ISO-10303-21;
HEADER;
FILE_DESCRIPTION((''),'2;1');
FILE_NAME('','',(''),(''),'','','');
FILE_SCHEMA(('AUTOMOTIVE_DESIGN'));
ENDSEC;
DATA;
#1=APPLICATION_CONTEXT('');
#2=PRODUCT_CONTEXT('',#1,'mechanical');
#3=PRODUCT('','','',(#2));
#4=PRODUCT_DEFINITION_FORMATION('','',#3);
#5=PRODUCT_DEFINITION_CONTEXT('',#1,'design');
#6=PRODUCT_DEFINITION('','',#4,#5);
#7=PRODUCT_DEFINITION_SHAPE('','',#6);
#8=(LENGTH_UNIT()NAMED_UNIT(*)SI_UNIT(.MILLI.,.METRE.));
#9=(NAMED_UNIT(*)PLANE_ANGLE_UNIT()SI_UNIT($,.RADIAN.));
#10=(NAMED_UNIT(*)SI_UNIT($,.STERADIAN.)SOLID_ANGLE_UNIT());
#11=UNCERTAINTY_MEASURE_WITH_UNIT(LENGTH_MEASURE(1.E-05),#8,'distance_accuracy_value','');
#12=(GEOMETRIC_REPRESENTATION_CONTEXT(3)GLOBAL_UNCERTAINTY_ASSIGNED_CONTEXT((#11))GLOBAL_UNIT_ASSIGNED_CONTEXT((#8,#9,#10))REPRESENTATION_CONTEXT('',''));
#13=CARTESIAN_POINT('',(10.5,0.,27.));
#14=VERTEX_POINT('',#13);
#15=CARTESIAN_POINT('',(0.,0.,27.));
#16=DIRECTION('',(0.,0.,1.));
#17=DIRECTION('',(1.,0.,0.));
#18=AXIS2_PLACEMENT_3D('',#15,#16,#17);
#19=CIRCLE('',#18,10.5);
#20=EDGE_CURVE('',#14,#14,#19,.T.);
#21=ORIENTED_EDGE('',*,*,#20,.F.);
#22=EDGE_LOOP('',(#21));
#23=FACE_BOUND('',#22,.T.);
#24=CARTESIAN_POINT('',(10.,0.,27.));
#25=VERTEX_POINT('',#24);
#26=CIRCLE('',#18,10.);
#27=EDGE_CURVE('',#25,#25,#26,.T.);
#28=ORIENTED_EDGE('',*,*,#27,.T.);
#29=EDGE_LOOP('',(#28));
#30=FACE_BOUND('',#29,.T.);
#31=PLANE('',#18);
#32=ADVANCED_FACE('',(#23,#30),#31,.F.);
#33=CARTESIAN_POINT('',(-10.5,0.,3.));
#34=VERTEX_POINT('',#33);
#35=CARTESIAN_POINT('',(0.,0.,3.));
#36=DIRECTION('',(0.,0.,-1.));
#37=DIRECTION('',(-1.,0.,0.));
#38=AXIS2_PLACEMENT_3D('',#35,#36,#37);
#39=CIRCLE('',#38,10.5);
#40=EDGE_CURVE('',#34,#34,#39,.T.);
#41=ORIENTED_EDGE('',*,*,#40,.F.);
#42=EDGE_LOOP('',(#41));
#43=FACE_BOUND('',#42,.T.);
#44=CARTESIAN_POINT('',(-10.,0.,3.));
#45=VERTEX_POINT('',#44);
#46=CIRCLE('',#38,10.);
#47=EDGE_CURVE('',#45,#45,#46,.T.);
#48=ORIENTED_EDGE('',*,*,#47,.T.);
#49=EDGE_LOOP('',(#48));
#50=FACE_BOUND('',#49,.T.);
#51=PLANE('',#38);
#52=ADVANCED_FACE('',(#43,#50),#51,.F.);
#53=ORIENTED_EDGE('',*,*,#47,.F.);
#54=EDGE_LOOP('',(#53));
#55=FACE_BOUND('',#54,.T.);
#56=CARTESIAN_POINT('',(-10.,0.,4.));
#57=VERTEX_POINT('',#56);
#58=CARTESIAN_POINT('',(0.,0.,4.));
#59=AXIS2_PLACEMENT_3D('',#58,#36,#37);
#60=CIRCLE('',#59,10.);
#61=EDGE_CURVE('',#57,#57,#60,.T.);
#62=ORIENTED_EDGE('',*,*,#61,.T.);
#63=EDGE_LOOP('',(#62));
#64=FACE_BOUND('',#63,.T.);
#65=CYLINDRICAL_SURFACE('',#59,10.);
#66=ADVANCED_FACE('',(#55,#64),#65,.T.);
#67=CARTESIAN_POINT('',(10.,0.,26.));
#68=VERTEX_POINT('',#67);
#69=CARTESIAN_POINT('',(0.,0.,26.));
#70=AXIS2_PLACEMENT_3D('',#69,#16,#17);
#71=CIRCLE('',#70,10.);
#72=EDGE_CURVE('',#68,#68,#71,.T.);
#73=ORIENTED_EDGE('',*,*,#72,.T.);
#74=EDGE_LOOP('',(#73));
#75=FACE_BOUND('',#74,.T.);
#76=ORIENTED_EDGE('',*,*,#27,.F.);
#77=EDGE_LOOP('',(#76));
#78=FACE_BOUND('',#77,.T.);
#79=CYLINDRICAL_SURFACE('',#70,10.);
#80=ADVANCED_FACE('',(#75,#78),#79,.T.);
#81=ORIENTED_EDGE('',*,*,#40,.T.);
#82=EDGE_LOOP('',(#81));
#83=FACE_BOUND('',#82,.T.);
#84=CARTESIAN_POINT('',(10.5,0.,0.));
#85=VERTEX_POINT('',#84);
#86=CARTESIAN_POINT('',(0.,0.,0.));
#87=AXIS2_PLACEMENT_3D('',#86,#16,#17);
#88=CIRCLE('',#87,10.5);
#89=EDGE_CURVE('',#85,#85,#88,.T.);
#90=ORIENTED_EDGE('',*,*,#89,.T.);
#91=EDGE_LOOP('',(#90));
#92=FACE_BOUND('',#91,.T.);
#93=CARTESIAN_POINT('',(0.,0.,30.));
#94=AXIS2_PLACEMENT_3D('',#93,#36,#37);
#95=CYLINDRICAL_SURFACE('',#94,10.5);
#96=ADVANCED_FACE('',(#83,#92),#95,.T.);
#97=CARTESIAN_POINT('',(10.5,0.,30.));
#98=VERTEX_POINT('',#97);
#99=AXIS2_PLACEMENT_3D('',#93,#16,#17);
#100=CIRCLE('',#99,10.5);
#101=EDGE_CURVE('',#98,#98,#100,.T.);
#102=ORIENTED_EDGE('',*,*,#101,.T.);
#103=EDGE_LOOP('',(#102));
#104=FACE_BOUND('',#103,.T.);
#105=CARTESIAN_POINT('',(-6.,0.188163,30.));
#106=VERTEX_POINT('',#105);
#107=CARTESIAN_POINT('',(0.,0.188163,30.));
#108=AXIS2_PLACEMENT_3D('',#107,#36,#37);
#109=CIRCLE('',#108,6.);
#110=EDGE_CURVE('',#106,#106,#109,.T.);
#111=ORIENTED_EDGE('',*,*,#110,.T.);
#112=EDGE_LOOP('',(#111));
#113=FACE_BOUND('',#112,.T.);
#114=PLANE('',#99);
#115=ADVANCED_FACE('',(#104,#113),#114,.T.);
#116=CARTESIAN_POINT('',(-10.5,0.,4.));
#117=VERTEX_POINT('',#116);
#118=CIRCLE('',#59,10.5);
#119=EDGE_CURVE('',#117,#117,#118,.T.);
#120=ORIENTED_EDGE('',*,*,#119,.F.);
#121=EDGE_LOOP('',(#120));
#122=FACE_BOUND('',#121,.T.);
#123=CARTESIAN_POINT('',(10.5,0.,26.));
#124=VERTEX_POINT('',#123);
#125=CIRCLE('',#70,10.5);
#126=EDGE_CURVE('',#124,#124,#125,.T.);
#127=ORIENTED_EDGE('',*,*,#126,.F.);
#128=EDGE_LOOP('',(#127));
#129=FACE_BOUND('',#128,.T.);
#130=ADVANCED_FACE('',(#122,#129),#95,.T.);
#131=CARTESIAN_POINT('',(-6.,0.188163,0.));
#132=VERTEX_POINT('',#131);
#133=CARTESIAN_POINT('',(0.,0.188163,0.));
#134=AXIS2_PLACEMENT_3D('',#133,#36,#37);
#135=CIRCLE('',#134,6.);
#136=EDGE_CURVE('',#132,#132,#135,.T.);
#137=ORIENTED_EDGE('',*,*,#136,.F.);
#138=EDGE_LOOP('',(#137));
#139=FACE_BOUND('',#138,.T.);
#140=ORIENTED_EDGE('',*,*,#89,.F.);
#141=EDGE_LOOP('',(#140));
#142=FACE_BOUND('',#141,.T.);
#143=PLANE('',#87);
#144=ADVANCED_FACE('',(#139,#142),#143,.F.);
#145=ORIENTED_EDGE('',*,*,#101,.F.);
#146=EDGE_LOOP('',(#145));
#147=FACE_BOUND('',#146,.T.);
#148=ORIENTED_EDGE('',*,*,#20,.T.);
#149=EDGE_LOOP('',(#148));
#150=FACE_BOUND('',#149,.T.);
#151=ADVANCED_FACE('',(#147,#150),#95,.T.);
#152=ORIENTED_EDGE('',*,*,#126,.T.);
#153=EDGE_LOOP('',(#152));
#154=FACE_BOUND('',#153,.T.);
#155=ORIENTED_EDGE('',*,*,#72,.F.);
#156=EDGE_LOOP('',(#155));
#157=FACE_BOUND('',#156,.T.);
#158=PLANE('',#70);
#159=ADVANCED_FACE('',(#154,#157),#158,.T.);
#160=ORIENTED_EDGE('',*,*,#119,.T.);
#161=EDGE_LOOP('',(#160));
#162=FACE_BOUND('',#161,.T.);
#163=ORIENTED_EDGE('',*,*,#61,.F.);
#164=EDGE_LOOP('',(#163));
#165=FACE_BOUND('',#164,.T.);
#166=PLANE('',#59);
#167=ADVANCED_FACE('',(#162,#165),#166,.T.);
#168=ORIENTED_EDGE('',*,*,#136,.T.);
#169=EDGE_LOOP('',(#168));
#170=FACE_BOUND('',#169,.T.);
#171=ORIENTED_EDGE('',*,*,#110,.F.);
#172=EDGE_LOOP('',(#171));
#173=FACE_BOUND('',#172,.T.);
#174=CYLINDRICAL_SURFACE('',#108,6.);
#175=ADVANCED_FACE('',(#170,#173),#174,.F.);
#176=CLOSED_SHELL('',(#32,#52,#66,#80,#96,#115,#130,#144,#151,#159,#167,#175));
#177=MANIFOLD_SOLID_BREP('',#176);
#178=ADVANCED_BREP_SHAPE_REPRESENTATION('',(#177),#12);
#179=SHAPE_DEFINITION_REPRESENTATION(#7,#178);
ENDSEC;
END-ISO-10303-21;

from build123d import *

# Parameters (mm, degrees)
SKETCH1_R           = 10.5
BOSS_EXTRUDE1_DEPTH = 30
SKETCH2_R           = 6
CUT_EXTRUDE1_DEPTH  = 30
CUT_EXTRUDE2_START  = -3
SKETCH3_R           = 10.5
SKETCH3_R_2         = 10
CUT_EXTRUDE2_DEPTH  = 1
CUT_EXTRUDE3_START  = -4
SKETCH4_R           = 10.5
SKETCH4_R_2         = 10
CUT_EXTRUDE3_DEPTH  = 1


with BuildPart() as part:
    # Sketch1 → Boss-Extrude1 (new body)
    with BuildSketch(Plane.XY):
        Circle(SKETCH1_R)
    extrude(amount=BOSS_EXTRUDE1_DEPTH)

    # Sketch2 → Cut-Extrude1 (cut)
    with BuildSketch(Plane(origin=(0, 0, 0), x_dir=(-1, 0, 0), z_dir=(0, 0, -1))):
        with Locations((0, 0.188162924)):
            Circle(SKETCH2_R)
    extrude(amount=-CUT_EXTRUDE1_DEPTH, mode=Mode.SUBTRACT)

    # Sketch3 → Cut-Extrude2 (cut)
    with BuildSketch(Plane(origin=(0, 0, 0), x_dir=(-1, 0, 0), z_dir=(0, 0, -1)).offset(CUT_EXTRUDE2_START)):
        Circle(SKETCH3_R)
        Circle(SKETCH3_R_2, mode=Mode.SUBTRACT)
    extrude(amount=-CUT_EXTRUDE2_DEPTH, mode=Mode.SUBTRACT)

    # Sketch4 → Cut-Extrude3 (cut)
    with BuildSketch(Plane.XY.offset(30).offset(CUT_EXTRUDE3_START)):
        with Locations(Location((0, 0, 0), (0, 0, 180))):
            Circle(SKETCH4_R)
        with Locations(Location((0, 0, 0), (0, 0, 180))):
            Circle(SKETCH4_R_2, mode=Mode.SUBTRACT)
    extrude(amount=CUT_EXTRUDE3_DEPTH, mode=Mode.SUBTRACT)


solid = part.part
